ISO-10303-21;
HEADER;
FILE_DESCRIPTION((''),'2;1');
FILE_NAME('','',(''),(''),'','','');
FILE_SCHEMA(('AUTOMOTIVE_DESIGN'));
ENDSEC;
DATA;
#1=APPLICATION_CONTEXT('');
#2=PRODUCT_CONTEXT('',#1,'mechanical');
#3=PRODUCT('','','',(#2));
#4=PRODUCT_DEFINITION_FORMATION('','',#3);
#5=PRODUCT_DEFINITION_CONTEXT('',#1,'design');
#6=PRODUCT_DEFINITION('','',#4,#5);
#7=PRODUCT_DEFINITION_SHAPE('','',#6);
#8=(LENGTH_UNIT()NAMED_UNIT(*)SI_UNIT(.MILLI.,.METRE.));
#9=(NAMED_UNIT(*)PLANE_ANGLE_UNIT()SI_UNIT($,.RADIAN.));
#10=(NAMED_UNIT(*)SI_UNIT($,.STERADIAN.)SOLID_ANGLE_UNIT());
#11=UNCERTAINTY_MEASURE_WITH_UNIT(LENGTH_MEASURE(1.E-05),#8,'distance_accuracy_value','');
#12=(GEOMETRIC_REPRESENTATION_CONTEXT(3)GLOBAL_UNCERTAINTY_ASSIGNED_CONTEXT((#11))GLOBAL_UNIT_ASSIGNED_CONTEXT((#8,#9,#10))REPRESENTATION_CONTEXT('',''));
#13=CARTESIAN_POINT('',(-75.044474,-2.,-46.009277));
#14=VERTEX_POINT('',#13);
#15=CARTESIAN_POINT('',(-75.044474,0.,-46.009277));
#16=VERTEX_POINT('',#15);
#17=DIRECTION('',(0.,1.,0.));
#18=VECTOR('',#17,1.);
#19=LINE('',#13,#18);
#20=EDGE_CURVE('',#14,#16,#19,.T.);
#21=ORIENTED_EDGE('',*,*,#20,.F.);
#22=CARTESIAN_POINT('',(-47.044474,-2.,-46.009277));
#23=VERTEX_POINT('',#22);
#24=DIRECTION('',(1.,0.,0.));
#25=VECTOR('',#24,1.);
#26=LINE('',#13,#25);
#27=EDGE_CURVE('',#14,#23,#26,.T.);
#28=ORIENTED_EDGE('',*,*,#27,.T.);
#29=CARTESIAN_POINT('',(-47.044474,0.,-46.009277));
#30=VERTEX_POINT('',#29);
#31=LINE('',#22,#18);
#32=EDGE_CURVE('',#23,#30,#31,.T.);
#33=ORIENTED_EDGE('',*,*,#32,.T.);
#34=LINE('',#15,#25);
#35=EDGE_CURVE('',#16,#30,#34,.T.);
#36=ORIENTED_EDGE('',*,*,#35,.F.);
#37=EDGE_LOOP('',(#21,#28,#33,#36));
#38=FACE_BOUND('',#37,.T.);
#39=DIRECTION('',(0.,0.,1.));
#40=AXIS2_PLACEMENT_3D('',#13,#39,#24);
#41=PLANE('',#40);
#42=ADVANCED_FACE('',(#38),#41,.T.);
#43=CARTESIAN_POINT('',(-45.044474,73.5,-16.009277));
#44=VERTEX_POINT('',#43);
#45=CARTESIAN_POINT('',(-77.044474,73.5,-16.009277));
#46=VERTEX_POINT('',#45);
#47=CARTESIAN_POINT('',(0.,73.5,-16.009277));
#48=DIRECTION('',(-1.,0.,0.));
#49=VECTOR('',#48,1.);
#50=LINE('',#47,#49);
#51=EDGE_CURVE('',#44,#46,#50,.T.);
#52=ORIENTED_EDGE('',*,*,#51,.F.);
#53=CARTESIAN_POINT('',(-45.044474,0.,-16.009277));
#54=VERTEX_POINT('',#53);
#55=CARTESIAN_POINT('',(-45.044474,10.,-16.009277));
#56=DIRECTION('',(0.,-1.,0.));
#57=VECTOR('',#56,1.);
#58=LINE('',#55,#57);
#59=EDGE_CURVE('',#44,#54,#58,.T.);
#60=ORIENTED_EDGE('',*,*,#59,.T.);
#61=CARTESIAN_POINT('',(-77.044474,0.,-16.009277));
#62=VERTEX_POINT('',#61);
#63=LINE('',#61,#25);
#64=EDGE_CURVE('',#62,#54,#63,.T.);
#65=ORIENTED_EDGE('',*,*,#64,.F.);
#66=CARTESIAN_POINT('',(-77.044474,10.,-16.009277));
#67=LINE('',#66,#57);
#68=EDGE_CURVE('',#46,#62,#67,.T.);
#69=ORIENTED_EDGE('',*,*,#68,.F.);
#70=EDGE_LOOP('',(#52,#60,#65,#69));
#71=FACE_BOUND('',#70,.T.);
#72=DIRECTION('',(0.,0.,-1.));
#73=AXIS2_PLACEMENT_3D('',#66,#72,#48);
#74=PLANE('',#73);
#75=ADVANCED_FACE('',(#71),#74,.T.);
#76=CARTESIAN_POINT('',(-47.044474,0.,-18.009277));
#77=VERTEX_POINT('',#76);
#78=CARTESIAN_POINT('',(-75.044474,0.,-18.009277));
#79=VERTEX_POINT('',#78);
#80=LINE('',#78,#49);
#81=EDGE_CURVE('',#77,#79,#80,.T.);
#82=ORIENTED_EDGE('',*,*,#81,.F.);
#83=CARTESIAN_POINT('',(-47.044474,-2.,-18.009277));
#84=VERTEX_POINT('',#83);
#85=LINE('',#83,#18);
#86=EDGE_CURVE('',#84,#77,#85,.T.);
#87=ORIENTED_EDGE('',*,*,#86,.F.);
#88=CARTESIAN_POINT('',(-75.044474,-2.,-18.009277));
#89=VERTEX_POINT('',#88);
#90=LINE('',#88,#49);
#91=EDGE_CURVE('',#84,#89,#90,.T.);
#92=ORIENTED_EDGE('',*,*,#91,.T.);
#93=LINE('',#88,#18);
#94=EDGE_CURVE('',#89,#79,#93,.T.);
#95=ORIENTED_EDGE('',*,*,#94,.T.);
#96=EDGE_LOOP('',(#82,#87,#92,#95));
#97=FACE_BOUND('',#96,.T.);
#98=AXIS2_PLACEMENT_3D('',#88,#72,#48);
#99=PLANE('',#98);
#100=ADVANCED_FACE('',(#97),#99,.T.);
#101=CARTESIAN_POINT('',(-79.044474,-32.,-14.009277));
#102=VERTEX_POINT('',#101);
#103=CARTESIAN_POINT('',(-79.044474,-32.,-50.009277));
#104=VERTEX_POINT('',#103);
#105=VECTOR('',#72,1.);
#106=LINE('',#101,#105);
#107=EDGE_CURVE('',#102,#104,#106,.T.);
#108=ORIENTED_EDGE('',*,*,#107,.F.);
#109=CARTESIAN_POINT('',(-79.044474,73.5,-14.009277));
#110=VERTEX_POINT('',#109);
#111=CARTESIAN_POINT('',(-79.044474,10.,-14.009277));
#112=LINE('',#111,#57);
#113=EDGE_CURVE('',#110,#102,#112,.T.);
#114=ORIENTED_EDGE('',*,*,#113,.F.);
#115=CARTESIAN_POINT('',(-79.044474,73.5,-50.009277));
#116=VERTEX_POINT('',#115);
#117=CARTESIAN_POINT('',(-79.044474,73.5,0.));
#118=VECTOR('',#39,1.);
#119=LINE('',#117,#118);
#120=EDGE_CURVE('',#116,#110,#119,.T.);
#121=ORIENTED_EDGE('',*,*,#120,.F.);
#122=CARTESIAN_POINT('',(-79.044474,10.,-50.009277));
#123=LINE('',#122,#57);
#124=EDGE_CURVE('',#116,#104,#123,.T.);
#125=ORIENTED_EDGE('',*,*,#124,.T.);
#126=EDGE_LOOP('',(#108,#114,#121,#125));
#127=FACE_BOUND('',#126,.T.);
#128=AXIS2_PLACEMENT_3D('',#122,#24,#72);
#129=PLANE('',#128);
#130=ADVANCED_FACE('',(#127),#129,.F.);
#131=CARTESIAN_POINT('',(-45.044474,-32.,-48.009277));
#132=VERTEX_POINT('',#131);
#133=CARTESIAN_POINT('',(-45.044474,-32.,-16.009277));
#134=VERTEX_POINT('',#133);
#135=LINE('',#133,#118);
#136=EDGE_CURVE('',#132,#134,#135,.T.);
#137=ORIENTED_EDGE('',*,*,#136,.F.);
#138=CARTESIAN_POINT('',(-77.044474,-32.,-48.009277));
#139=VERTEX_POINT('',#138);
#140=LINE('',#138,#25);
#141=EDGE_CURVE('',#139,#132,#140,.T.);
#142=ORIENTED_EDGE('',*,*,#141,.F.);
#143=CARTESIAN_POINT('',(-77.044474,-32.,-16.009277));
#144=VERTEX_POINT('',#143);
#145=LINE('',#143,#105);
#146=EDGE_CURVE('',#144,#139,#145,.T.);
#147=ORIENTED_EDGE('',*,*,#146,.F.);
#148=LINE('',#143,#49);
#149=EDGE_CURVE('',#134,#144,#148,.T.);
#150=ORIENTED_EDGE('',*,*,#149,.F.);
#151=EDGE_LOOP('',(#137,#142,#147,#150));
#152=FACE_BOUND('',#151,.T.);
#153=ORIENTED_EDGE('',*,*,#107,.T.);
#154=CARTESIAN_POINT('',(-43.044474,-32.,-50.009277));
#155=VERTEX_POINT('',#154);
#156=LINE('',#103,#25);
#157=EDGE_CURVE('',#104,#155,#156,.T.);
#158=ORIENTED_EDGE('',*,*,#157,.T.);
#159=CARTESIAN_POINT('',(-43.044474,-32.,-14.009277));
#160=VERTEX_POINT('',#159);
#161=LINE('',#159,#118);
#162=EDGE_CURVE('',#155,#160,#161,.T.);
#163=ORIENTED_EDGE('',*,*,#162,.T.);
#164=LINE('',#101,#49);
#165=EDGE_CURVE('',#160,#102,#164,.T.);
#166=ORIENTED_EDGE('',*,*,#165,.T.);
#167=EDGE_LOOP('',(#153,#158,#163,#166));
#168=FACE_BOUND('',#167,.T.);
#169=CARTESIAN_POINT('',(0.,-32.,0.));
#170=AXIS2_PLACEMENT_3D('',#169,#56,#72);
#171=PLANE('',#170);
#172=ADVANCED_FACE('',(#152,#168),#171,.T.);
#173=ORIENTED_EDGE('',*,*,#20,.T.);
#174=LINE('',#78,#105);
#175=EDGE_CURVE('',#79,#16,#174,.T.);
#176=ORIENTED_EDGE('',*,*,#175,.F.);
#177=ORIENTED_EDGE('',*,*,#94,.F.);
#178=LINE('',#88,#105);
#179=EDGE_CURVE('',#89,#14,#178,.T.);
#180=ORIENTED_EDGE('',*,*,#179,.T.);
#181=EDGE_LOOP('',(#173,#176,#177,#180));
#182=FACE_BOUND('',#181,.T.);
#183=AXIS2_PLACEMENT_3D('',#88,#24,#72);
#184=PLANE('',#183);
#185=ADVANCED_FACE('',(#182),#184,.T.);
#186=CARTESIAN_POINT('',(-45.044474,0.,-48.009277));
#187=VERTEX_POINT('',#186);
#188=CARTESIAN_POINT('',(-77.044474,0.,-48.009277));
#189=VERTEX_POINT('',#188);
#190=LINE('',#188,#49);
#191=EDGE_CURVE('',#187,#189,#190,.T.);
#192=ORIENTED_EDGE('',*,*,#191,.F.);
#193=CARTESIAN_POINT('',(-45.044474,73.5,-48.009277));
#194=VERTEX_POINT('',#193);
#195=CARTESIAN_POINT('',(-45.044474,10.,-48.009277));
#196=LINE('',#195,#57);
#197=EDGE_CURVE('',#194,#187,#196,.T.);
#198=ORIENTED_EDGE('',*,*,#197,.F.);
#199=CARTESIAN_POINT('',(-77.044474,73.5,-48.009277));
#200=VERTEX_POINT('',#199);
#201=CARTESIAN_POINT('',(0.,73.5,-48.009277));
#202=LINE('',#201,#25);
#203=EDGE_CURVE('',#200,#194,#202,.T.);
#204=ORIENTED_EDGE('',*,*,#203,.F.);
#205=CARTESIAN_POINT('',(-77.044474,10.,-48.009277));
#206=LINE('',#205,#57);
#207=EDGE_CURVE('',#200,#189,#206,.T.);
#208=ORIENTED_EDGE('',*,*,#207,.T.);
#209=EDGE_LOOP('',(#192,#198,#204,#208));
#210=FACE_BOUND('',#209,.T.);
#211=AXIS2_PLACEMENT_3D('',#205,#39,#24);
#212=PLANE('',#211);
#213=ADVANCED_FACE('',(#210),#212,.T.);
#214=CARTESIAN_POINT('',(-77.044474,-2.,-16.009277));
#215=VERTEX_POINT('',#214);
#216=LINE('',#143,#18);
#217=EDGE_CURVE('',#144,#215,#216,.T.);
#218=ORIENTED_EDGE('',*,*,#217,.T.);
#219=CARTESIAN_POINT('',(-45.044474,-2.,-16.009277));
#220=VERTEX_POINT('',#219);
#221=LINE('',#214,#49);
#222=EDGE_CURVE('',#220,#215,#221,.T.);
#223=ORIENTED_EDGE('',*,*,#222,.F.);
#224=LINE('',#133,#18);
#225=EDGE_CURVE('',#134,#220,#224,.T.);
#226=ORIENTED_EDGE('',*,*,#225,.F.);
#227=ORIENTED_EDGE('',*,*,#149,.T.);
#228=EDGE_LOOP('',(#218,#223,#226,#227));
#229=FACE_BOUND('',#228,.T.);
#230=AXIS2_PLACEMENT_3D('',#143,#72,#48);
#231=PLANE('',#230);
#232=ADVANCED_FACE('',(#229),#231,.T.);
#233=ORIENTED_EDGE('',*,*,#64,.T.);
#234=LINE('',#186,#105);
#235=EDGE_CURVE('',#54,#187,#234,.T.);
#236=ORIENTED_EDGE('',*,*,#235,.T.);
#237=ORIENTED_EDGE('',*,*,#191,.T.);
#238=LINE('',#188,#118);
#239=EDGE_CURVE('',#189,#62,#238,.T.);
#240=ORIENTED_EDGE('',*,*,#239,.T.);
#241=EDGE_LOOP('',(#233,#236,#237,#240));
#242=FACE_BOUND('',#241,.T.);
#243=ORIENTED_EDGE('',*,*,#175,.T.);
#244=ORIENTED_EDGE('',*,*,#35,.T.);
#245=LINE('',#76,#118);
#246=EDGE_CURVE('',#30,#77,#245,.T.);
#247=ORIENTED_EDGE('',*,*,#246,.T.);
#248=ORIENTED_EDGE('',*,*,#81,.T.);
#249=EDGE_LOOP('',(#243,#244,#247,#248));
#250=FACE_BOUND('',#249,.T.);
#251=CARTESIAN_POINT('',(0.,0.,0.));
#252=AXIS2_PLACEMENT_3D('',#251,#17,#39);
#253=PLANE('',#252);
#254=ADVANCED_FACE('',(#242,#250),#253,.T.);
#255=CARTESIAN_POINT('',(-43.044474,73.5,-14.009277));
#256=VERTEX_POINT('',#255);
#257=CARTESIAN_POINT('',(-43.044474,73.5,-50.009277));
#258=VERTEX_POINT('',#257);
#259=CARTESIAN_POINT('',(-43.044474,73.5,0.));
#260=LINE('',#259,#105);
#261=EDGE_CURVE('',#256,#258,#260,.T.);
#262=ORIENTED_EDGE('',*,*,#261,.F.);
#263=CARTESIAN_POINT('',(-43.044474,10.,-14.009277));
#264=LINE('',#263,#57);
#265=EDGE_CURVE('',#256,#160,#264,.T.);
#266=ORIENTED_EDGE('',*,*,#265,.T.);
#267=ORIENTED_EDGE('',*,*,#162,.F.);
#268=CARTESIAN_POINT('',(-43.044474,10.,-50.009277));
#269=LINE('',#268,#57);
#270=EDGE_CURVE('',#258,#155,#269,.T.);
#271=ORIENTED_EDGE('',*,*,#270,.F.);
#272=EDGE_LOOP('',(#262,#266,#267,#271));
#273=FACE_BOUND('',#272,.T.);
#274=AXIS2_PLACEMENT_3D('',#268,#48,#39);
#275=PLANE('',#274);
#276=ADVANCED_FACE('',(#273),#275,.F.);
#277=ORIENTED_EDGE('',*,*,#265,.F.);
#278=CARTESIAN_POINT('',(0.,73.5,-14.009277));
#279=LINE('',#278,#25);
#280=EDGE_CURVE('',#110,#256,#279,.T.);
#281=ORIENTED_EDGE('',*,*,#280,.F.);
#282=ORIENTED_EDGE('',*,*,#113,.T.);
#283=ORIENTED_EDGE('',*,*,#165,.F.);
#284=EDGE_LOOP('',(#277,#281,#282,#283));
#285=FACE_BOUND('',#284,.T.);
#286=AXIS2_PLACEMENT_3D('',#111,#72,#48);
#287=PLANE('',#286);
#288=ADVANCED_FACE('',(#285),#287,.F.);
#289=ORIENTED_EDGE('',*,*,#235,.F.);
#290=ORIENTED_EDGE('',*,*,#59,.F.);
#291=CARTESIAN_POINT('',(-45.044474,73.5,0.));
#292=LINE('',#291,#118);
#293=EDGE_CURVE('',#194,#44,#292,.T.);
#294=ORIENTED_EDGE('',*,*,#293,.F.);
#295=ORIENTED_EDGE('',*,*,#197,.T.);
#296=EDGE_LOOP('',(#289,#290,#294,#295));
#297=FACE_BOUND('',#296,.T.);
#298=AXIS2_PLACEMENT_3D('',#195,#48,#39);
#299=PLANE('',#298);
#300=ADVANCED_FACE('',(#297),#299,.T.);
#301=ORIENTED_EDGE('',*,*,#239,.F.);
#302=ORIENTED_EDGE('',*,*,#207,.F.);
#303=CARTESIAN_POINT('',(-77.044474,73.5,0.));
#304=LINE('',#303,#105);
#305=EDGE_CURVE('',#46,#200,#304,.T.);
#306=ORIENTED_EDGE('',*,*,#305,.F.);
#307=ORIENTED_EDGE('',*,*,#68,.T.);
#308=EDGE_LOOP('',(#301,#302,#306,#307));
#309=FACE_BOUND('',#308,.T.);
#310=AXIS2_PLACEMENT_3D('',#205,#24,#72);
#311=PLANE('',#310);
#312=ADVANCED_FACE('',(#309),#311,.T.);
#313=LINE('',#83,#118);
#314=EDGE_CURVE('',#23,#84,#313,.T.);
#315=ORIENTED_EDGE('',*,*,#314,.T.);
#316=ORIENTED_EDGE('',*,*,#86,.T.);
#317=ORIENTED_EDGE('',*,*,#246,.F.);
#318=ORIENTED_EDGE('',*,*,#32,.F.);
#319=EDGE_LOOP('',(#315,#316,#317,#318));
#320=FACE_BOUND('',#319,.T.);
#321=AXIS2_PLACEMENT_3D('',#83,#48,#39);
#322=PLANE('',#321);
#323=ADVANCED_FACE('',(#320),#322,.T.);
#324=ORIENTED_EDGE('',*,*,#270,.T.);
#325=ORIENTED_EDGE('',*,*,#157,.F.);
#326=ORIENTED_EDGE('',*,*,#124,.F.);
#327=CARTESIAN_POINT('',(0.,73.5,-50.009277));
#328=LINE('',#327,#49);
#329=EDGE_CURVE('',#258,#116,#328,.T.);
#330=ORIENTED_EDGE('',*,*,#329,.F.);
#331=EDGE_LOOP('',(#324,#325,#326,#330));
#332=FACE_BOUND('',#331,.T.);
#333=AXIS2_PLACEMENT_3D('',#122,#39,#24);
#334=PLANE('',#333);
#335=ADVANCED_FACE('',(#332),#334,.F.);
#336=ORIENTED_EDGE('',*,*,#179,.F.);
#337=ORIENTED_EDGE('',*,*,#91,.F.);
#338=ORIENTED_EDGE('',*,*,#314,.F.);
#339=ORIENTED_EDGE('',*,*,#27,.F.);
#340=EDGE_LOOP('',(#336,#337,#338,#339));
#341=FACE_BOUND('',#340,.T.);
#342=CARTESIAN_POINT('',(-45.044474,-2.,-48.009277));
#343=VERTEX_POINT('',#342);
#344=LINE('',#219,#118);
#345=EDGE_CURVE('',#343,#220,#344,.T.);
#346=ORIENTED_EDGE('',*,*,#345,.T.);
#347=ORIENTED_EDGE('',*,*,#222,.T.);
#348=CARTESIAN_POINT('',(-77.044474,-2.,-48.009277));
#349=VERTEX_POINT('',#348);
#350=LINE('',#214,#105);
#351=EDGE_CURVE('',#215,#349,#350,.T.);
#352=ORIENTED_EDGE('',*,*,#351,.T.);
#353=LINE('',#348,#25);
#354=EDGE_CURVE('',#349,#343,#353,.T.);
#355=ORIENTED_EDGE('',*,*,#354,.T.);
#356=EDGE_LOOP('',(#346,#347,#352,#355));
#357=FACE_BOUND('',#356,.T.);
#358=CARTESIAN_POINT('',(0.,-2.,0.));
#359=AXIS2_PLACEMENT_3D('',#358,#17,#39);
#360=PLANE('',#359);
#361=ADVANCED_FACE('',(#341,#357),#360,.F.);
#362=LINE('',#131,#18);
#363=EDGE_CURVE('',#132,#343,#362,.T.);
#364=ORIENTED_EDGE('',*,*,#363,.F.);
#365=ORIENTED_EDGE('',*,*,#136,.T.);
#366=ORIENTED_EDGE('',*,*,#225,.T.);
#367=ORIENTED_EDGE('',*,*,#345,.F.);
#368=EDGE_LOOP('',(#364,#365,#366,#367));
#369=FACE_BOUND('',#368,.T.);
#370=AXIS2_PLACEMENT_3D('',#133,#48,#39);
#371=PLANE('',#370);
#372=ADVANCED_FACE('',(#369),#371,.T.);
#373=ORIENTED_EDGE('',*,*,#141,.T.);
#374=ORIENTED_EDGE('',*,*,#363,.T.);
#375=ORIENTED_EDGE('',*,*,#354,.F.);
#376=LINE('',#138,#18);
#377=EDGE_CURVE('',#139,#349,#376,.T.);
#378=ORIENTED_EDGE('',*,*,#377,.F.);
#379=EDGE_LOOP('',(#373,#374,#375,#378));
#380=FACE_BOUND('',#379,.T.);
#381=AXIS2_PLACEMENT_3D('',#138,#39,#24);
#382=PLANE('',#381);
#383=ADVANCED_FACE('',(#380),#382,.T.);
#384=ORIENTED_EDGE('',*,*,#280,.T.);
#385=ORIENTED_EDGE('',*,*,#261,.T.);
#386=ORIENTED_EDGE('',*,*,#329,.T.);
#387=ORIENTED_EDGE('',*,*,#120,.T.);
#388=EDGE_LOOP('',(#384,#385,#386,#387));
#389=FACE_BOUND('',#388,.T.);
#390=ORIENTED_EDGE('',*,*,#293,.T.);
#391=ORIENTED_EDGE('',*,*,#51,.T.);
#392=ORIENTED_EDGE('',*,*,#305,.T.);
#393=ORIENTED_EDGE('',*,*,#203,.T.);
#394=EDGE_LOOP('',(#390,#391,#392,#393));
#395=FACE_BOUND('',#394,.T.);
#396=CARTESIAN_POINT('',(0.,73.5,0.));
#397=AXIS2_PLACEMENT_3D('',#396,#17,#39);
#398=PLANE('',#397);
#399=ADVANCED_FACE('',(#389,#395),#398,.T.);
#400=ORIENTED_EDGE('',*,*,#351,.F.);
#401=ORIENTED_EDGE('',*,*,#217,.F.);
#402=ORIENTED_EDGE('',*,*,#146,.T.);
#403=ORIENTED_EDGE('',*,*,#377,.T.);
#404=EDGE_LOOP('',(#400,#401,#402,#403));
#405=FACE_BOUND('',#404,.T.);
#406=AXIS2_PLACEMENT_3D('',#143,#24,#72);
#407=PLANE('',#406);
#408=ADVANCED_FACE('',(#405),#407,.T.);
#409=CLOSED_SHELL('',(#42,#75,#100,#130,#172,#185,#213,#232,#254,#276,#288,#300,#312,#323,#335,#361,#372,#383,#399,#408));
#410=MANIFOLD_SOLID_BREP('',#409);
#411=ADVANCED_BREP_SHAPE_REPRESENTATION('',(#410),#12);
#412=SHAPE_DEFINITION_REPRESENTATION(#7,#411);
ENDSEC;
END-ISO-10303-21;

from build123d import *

# Parameters (mm, degrees)
SKETCH1_W            = 36
SKETCH1_H            = 36
SKETCH1_W_2          = 32
SKETCH1_H_2          = 32
BOSS_EXTRUDE1_DEPTH  = 10
SKETCH5_W            = 36
SKETCH5_H            = 36
SKETCH5_W_2          = 32
SKETCH5_H_2          = 32
BOSS_EXTRUDE5_DEPTH  = 63.5
SKETCH2_W            = 36
SKETCH2_H            = 36
SKETCH2_W_2          = 28
SKETCH2_H_2          = 28
BOSS_EXTRUDE9_DEPTH  = 2
SKETCH9_W            = 36
SKETCH9_H            = 36
SKETCH9_W_2          = 32
SKETCH9_H_2          = 32
BOSS_EXTRUDE11_DEPTH = 30


with BuildPart() as part:
    # Sketch1 → Boss-Extrude1 (new body)
    with BuildSketch(Plane(origin=(0, 0, 0), x_dir=(1, 0, 0), z_dir=(0, 1, 0))):
        with Locations((-61.04447382, 32.009277239)):
            Rectangle(SKETCH1_W, SKETCH1_H)
        with Locations((-61.04447382, 32.009277239)):
            Rectangle(SKETCH1_W_2, SKETCH1_H_2, mode=Mode.SUBTRACT)
    extrude(amount=BOSS_EXTRUDE1_DEPTH)

    # Sketch5 → Boss-Extrude5 (add)
    with BuildSketch(Plane(origin=(0, 10, 0), x_dir=(1, 0, 0), z_dir=(0, 1, 0))):
        with Locations((-61.04447382, 32.009277239)):
            Rectangle(SKETCH5_W, SKETCH5_H)
        with Locations((-61.04447382, 32.009277239)):
            Rectangle(SKETCH5_W_2, SKETCH5_H_2, mode=Mode.SUBTRACT)
    extrude(amount=BOSS_EXTRUDE5_DEPTH)

    # Sketch2 → Boss-Extrude9 (add)
    with BuildSketch(Plane.XZ):
        with Locations((-61.04447382, -32.009277239)):
            Rectangle(SKETCH2_W, SKETCH2_H)
        with Locations((-61.04447382, -32.009277239)):
            Rectangle(SKETCH2_W_2, SKETCH2_H_2, mode=Mode.SUBTRACT)
    extrude(amount=BOSS_EXTRUDE9_DEPTH)

    # Sketch9 → Boss-Extrude11 (add)
    with BuildSketch(Plane.XZ.offset(2)):
        with Locations((-61.04447382, -32.009277239)):
            Rectangle(SKETCH9_W, SKETCH9_H)
        with Locations((-61.04447382, -32.009277239)):
            Rectangle(SKETCH9_W_2, SKETCH9_H_2, mode=Mode.SUBTRACT)
    extrude(amount=BOSS_EXTRUDE11_DEPTH)


solid = part.part
